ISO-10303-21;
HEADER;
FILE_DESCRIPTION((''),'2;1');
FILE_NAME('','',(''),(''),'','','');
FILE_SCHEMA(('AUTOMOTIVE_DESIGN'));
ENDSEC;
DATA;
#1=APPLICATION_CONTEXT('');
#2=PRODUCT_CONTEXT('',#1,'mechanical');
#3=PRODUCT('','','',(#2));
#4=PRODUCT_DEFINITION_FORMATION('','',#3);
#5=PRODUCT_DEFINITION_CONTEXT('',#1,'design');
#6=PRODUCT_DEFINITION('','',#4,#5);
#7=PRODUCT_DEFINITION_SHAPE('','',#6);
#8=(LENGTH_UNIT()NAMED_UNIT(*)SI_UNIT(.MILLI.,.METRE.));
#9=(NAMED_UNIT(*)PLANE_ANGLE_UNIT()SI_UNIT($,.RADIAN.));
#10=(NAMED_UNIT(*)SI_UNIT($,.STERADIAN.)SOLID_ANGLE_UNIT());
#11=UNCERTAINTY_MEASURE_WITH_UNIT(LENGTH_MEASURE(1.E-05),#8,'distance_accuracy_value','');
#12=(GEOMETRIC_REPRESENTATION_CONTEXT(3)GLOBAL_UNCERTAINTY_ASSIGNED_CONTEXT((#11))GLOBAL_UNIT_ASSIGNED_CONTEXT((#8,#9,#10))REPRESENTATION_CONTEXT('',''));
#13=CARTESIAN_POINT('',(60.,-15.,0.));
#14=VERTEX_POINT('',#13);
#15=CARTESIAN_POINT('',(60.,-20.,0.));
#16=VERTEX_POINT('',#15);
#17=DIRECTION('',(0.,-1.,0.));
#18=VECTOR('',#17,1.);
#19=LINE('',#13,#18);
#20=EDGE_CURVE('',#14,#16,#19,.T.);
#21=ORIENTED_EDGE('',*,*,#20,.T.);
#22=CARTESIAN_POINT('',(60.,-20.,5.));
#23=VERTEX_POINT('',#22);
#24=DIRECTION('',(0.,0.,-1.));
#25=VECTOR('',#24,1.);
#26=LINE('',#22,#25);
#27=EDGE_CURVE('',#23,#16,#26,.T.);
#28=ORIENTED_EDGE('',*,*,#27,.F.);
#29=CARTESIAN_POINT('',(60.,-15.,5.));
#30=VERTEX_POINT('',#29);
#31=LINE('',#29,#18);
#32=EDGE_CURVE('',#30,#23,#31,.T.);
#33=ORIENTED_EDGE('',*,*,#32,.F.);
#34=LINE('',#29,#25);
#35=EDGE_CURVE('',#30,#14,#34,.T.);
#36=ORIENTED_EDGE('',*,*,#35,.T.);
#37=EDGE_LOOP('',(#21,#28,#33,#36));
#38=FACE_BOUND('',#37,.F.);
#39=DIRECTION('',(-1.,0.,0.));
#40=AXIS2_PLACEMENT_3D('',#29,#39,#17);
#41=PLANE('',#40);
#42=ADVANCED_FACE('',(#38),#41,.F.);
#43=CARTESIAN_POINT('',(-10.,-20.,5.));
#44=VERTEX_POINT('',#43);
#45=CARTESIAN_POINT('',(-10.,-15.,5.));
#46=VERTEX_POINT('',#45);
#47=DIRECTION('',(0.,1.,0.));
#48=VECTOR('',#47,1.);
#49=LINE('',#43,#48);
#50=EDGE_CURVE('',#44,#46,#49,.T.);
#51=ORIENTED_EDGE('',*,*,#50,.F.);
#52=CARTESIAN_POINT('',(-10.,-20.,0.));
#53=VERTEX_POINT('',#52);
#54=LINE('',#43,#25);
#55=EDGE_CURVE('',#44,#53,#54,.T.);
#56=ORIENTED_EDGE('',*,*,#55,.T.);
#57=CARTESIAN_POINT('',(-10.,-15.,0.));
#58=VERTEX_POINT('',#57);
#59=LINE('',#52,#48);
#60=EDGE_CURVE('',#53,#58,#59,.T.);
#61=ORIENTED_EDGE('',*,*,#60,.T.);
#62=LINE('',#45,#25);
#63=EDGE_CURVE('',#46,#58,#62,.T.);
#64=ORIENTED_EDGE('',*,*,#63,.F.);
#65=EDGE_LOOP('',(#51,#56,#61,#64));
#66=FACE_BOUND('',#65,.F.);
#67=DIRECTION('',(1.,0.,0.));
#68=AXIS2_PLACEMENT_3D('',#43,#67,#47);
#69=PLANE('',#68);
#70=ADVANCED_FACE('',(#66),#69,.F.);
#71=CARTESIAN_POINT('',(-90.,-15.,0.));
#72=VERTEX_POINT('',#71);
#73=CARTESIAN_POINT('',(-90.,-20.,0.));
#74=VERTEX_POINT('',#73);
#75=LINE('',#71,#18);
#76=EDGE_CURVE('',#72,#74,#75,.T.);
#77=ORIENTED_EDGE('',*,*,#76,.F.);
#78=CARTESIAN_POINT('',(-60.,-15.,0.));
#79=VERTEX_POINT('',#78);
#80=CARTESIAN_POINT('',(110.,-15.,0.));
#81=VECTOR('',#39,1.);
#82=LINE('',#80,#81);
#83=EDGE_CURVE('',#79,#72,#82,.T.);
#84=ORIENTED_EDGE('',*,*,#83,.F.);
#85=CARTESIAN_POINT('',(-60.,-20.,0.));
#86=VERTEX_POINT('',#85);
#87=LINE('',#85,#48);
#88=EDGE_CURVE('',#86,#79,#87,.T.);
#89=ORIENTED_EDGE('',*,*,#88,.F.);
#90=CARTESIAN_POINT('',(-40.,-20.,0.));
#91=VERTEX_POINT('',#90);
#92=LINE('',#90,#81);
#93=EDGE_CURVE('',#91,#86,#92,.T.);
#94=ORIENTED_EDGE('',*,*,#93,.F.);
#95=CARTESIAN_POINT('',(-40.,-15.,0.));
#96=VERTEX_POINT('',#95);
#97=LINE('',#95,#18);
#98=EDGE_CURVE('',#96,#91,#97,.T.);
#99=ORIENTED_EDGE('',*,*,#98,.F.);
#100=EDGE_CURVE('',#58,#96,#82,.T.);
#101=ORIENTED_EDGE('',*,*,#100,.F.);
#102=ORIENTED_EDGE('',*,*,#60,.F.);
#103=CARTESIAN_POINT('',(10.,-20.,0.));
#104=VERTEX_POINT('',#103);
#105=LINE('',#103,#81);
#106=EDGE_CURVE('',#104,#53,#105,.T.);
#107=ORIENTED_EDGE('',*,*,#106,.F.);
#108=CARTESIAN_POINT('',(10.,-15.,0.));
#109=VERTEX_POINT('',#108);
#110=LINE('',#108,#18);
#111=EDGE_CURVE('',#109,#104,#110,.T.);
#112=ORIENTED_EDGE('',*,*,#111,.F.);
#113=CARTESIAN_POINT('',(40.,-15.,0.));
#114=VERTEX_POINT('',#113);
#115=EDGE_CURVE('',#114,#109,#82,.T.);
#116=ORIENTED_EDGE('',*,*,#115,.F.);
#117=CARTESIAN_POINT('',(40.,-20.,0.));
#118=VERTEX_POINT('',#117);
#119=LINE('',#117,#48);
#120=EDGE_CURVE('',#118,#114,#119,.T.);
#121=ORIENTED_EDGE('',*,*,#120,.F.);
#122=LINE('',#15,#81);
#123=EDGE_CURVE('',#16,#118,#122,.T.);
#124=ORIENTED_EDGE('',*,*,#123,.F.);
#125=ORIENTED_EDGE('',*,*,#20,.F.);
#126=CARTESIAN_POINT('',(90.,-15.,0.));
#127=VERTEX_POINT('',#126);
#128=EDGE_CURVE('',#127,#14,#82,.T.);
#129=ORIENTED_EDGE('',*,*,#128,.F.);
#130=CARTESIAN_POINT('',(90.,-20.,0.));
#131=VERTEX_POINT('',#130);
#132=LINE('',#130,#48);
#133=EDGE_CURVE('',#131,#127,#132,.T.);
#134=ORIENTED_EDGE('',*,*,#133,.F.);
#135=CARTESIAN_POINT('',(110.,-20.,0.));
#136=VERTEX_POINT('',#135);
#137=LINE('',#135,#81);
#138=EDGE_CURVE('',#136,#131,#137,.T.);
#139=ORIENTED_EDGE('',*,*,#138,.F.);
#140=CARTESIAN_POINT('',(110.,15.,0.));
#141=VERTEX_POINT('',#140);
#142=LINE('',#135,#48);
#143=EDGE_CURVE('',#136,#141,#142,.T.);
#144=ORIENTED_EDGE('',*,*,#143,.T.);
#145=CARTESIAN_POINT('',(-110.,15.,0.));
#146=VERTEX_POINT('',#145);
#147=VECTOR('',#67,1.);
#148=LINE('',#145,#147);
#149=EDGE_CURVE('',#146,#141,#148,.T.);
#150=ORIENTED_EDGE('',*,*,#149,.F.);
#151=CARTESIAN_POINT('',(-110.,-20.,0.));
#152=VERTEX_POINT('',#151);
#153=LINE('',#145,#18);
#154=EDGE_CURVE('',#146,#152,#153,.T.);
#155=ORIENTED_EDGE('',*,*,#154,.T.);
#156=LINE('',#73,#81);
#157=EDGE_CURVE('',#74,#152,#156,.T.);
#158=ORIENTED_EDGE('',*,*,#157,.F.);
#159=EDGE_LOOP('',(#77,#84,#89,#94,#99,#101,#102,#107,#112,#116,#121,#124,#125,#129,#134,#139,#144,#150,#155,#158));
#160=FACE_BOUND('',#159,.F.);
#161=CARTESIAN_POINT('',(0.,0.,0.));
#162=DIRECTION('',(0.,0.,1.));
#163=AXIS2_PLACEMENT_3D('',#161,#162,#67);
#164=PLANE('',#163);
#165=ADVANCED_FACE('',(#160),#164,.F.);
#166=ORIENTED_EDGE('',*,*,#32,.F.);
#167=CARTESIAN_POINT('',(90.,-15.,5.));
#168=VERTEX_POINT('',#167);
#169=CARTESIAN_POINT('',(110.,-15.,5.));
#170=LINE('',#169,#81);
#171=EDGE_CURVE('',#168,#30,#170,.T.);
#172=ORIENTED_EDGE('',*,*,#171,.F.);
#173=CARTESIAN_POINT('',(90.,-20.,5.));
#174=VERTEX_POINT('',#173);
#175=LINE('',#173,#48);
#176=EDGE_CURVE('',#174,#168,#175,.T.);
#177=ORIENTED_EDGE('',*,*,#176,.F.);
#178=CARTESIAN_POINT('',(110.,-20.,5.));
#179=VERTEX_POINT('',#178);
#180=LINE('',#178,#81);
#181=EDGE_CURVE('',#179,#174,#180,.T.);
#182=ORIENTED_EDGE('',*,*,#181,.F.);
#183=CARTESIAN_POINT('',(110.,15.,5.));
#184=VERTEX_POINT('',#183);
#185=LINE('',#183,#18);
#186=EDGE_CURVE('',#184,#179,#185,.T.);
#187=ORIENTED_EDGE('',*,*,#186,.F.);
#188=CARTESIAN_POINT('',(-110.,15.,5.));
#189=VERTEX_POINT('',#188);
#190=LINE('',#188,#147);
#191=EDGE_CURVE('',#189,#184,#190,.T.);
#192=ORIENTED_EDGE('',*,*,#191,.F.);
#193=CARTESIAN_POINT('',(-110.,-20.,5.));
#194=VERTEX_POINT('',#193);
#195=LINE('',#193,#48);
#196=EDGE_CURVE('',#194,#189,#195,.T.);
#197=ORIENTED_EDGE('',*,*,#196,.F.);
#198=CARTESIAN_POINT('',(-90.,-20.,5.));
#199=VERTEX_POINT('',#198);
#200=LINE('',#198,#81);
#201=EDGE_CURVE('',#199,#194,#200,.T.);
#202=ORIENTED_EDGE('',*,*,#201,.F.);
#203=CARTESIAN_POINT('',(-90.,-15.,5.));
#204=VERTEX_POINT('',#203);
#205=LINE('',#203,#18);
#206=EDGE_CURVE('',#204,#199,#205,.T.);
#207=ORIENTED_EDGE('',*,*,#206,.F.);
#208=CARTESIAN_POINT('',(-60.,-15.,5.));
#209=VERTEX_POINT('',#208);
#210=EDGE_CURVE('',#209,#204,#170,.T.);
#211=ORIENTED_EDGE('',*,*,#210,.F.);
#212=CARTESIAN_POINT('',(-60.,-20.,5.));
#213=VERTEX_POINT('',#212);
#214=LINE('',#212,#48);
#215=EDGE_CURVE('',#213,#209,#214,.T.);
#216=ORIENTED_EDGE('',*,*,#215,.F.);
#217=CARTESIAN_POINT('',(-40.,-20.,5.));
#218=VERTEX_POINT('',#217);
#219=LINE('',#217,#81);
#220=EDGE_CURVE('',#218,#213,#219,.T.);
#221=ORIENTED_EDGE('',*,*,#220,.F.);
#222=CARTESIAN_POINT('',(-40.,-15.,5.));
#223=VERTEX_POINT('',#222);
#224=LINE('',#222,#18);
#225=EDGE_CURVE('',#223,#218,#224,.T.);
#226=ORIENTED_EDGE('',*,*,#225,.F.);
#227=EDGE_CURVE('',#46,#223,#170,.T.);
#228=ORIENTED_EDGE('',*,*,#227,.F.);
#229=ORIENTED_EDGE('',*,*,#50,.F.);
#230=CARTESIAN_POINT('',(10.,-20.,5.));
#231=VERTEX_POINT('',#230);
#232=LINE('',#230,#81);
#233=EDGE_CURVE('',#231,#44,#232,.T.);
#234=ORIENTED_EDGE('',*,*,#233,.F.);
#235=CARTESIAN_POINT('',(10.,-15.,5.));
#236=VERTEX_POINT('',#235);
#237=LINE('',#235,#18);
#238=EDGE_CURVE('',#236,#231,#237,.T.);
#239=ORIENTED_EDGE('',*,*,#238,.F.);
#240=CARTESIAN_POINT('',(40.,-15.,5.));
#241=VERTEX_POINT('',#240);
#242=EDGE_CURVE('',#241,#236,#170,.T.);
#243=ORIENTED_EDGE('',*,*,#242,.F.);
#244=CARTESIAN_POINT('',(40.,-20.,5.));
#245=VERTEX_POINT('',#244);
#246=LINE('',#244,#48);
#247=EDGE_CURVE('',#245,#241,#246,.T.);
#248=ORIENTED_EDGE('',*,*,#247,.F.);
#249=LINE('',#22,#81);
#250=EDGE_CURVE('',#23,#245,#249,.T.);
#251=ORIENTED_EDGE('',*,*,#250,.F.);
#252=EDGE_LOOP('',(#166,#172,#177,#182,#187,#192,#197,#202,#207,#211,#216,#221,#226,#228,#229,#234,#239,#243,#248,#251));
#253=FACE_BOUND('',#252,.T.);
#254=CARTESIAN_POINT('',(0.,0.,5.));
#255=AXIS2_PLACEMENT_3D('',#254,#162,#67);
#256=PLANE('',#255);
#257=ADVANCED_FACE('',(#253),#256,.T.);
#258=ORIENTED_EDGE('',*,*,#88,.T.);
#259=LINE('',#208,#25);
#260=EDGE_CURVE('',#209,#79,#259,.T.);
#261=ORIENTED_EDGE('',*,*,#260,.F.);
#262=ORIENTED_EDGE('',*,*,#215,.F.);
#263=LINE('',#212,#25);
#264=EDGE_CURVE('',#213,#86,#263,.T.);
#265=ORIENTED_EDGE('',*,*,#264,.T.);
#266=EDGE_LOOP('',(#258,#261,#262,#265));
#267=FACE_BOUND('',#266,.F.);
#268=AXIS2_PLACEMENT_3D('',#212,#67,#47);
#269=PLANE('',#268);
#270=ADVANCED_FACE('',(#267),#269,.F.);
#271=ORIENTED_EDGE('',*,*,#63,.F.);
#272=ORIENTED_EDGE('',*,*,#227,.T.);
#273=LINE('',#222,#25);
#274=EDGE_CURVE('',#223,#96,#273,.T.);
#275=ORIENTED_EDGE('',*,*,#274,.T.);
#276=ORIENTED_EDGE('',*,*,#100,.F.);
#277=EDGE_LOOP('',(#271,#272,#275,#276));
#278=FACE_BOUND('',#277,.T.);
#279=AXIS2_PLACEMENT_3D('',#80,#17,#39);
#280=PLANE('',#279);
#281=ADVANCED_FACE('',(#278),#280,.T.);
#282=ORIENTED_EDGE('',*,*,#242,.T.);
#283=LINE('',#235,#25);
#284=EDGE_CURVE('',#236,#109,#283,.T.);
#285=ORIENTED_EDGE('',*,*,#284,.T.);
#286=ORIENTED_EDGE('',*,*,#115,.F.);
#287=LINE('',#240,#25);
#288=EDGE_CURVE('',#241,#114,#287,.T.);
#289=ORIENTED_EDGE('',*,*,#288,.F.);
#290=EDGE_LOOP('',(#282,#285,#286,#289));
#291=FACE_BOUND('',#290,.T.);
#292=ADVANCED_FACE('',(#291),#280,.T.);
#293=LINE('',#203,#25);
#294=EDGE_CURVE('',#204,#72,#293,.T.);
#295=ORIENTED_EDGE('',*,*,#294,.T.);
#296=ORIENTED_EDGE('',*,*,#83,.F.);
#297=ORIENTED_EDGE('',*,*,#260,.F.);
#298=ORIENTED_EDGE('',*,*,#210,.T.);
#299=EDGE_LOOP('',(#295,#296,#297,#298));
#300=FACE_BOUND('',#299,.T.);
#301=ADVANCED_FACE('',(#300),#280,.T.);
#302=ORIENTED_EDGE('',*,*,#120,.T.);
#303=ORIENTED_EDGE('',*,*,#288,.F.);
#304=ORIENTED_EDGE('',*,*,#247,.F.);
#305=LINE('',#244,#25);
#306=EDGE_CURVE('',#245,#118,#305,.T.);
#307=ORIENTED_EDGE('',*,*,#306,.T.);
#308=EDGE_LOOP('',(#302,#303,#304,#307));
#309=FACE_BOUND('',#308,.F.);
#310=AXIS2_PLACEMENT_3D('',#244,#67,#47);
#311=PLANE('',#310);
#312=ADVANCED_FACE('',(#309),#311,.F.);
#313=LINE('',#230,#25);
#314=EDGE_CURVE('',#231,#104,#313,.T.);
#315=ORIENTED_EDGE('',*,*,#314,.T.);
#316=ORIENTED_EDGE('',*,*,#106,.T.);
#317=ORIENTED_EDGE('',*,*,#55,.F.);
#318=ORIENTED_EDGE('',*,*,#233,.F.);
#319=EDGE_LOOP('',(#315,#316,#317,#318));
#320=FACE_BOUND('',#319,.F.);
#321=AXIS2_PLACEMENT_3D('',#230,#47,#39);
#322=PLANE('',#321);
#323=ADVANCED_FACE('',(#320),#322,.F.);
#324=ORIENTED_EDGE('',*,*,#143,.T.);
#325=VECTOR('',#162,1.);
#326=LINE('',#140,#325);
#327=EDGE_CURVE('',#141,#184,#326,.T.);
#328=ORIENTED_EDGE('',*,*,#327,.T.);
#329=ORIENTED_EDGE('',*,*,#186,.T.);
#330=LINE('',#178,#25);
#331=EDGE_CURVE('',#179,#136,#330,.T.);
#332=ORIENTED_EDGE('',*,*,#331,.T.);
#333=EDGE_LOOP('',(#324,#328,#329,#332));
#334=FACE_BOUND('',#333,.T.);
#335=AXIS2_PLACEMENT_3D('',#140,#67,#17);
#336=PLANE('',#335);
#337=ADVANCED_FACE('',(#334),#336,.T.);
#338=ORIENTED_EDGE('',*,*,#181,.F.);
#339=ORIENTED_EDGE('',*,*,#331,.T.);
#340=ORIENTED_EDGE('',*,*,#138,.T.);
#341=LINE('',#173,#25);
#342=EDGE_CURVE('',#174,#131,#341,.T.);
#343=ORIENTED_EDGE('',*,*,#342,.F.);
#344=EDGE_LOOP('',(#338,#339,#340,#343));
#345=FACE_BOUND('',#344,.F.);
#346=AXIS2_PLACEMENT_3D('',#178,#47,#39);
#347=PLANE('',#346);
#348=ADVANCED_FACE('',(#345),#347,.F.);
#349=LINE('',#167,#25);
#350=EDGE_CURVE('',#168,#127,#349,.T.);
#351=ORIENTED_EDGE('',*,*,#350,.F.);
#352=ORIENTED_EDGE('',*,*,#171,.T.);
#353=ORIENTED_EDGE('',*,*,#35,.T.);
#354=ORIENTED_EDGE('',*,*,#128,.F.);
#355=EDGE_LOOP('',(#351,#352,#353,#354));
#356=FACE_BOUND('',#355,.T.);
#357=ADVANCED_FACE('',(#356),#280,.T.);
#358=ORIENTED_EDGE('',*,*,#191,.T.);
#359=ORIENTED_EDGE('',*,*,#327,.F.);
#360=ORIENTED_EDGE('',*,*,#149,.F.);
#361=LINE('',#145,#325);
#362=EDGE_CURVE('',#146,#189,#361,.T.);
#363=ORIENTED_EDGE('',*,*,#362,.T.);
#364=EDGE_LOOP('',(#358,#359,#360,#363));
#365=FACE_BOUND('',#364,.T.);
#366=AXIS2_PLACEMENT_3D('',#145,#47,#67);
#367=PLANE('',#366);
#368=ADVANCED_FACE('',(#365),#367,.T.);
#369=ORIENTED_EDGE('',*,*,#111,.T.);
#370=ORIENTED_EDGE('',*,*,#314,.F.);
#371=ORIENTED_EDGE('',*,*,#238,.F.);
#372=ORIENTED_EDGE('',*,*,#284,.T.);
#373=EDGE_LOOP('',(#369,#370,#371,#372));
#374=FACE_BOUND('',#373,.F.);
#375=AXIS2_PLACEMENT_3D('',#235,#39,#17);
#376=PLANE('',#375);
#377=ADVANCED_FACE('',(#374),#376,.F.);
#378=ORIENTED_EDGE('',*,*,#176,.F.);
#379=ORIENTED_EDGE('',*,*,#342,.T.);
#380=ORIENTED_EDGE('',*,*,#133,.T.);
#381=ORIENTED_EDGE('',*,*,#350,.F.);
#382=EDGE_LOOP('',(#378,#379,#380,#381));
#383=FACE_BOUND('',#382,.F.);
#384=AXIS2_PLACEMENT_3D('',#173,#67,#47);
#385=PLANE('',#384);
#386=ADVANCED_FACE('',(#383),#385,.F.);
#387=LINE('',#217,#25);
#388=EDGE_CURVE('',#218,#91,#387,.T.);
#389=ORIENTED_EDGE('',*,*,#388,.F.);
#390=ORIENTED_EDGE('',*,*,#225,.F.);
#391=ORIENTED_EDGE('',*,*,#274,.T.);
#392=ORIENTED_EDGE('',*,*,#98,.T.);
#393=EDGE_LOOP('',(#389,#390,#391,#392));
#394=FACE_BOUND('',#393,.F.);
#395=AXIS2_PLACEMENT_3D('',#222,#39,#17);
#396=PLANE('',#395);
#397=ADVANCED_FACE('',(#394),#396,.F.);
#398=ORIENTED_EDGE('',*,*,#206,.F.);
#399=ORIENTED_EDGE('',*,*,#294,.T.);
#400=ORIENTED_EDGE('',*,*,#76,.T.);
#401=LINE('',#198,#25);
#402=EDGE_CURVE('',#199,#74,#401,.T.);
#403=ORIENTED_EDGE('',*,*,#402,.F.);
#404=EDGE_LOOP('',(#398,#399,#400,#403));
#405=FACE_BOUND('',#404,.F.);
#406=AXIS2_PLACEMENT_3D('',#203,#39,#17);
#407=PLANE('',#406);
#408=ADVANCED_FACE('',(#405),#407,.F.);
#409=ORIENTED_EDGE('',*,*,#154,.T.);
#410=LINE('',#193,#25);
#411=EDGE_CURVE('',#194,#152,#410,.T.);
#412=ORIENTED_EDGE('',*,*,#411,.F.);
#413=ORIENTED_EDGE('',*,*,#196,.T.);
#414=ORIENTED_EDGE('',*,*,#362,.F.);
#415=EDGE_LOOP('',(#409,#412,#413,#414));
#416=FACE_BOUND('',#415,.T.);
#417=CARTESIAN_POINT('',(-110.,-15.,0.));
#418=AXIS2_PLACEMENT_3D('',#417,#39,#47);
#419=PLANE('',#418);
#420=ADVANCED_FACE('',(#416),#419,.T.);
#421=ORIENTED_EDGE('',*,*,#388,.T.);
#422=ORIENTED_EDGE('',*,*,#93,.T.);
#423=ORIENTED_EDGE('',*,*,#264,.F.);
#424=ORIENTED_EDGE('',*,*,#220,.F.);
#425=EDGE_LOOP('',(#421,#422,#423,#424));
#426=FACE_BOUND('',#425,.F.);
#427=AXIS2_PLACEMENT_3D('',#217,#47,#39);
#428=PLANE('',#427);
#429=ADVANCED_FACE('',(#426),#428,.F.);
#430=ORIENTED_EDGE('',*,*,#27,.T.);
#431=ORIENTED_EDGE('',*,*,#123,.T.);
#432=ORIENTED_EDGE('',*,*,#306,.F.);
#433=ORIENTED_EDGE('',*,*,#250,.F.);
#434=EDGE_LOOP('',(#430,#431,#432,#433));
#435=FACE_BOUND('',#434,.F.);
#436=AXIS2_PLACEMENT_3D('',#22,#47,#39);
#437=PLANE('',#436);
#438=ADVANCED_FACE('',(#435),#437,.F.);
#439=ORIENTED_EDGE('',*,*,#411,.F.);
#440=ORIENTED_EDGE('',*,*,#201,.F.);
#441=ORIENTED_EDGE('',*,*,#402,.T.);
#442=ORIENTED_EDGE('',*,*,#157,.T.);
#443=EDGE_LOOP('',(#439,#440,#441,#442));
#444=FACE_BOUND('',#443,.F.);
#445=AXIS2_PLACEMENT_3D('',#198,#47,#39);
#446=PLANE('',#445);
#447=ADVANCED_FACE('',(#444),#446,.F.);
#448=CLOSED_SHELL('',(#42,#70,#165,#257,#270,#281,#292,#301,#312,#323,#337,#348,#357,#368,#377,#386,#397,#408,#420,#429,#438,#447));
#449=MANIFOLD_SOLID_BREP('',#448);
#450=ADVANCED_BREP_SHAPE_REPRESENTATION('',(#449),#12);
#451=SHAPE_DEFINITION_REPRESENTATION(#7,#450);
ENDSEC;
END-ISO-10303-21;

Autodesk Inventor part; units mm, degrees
ref_plane "YZ Plane" through (0, 0, 0) normal (1, 0, 0) x (0, 1, 0)
ref_plane "XZ Plane" through (0, 0, 0) normal (0, 1, 0) x (-1, 0, 0)
ref_plane "XY Plane" through (0, 0, 0) normal (0, 0, 1) x (1, 0, 0)
sketch "Sketch1" plane through (0, 0, 0) normal (0, 0, 1) x (1, 0, 0)
  line L0 (-110, 15) -> (110, 15)
  line L1 (110, 15) -> (110, -15)
  line L2 (110, -15) -> (-110, -15)
  line L3 (-110, -15) -> (-110, 15)
  line L4 (-110, 15) -> (110, -15) construction
  line L5 (110, 15) -> (-110, -15) construction
  point P0 (0, 0)
  dimension "d0" = 220
  dimension "d1" = 30
extrude "Base" add sketch "Sketch1" along normal blind 5
sketch "Sketch2" plane through (0, 0, 5) normal (0, 0, 1) x (1, 0, 0)
  line L0 (-110, -15) -> (110, -15) projected
  line L1 (-110, -15) -> (-90, -15)
  line L2 (-90, -15) -> (-90, -20)
  line L3 (-90, -20) -> (-110, -20)
  line L4 (-110, -20) -> (-110, -15)
  line L5 (-60, -15) -> (-40, -15)
  line L6 (-40, -15) -> (-40, -20)
  line L7 (-40, -20) -> (-60, -20)
  line L8 (-60, -20) -> (-60, -15)
  line L9 (-10, -15) -> (10, -15)
  line L10 (10, -15) -> (10, -20)
  line L11 (10, -20) -> (-10, -20)
  line L12 (-10, -20) -> (-10, -15)
  line L13 (40, -15) -> (60, -15)
  line L14 (60, -15) -> (60, -20)
  line L15 (60, -20) -> (40, -20)
  line L16 (40, -20) -> (40, -15)
  line L17 (90, -15) -> (110, -15)
  line L18 (110, -15) -> (110, -20)
  line L19 (110, -20) -> (90, -20)
  line L20 (90, -20) -> (90, -15)
  point P0 (0, 0)
  point P1 (60, -15)
  point P2 (40, -15)
  point P3 (10, -15)
  point P4 (-10, -15)
  point P5 (-90, -15)
  point P6 (90, -15)
  point P7 (-40, -15)
  point P8 (-60, -15)
  dimension "d4" = 20
  dimension "d5" = 5
  dimension "d8" = 50
extrude "Encaixe" add sketch "Sketch2" against normal blind 5
properties part number "Divisória-22cm"
